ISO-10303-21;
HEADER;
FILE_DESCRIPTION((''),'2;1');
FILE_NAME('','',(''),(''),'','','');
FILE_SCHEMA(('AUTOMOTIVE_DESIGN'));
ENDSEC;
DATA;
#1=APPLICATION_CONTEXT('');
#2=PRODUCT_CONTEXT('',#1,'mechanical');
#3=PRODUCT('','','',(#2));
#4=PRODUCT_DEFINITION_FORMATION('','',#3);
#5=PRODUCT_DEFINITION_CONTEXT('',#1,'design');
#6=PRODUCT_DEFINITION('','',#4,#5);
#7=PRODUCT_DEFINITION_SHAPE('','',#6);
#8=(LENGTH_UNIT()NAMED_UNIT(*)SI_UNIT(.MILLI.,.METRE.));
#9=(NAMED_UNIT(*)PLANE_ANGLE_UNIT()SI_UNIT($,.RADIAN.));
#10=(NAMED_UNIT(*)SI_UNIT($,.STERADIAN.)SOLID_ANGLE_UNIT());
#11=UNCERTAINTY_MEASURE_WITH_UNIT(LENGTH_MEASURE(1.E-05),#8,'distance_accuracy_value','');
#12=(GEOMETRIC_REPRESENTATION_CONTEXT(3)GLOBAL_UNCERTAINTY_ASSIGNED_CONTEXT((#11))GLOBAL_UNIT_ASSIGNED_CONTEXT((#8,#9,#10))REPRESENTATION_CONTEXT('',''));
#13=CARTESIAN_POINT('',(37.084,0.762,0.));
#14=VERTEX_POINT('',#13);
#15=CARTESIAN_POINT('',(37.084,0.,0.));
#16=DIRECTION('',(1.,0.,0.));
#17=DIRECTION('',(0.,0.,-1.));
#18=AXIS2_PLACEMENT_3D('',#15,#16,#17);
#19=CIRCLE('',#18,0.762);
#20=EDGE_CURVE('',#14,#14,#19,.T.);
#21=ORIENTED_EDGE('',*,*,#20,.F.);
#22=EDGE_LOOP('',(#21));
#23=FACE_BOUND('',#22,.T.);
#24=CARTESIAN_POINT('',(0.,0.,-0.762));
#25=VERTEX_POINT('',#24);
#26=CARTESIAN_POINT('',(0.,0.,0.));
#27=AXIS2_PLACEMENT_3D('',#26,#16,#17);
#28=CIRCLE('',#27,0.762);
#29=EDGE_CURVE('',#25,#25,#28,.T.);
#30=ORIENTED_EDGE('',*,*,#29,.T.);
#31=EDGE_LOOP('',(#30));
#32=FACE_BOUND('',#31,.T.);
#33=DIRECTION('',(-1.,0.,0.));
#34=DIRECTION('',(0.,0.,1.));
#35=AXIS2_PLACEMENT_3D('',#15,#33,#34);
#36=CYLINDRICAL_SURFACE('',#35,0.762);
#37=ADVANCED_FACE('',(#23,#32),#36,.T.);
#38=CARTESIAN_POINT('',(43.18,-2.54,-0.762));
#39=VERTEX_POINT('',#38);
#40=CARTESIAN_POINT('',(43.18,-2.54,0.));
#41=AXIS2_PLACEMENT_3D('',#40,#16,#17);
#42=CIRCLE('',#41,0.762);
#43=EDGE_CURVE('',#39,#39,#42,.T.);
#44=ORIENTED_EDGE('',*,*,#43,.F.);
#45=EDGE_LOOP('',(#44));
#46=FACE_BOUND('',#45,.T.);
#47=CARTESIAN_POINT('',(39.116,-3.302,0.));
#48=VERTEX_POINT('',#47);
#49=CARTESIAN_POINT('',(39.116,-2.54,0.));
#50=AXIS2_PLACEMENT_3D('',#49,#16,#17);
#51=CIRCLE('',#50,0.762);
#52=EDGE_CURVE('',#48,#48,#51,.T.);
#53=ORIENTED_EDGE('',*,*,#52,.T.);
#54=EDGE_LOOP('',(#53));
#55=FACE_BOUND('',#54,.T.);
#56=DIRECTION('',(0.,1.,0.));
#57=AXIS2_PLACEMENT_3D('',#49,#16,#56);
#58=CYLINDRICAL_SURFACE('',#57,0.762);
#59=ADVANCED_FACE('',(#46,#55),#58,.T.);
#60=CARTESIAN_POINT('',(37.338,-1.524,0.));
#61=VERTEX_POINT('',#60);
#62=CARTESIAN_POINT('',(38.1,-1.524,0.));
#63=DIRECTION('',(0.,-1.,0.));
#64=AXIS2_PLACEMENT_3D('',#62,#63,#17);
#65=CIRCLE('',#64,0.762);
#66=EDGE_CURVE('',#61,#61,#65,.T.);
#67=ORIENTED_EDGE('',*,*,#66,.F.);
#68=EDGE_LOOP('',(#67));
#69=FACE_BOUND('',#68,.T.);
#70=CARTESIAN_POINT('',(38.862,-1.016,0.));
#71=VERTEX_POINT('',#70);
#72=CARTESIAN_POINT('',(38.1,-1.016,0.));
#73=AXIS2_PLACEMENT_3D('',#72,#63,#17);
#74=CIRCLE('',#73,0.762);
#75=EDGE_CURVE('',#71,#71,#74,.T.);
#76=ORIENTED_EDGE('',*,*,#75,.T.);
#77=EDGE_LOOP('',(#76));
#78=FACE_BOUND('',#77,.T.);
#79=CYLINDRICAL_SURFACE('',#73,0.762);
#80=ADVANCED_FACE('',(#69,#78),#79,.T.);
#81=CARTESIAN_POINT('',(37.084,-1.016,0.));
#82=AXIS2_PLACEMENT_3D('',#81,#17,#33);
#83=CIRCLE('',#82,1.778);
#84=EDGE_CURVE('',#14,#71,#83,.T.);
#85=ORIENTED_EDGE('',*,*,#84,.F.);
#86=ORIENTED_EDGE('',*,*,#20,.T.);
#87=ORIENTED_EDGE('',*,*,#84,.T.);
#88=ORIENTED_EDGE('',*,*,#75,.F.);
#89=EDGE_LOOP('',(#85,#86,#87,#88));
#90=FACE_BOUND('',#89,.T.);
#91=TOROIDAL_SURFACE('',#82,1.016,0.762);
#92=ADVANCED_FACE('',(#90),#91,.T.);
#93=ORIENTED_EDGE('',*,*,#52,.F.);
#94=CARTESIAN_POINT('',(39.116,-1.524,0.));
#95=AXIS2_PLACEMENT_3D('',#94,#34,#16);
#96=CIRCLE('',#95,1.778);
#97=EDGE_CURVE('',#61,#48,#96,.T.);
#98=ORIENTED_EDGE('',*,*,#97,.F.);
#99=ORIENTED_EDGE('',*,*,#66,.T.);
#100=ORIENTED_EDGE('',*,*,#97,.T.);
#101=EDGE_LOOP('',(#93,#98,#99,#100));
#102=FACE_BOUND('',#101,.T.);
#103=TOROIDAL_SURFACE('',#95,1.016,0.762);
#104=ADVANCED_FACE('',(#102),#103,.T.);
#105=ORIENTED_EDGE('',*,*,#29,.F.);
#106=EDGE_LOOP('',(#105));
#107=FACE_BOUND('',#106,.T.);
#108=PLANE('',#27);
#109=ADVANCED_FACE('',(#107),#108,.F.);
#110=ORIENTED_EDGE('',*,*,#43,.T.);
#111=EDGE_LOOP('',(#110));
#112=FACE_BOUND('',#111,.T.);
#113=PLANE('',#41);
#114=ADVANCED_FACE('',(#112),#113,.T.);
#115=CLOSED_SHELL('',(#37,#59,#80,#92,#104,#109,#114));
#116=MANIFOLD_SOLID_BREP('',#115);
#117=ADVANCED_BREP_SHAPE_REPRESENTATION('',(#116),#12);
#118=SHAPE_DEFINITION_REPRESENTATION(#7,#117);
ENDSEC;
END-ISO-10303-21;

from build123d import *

# Parameters (mm, degrees)
SKETCH1_R = 0.762


with BuildPart() as part:
    # Sweep2: sweep along a path in Sketch2
    with BuildLine(Plane.XY) as sweep2_path:
        Line((0, 0), (37.084, 0))
        ThreePointArc((37.084, 0), (37.80242049, -0.29757951), (38.1, -1.016))
        Line((38.1, -1.016), (38.1, -1.524))
        ThreePointArc((38.1, -1.524), (38.39757951, -2.24242049), (39.116, -2.54))
        Line((39.116, -2.54), (43.18, -2.54))
    # Sketch1 → Sweep2 (sweep)
    with BuildSketch(Plane(origin=(0, 0, 0), x_dir=(0, 0, -1), z_dir=(1, 0, 0))):
        Circle(SKETCH1_R)
    sweep(path=sweep2_path.line)


solid = part.part
